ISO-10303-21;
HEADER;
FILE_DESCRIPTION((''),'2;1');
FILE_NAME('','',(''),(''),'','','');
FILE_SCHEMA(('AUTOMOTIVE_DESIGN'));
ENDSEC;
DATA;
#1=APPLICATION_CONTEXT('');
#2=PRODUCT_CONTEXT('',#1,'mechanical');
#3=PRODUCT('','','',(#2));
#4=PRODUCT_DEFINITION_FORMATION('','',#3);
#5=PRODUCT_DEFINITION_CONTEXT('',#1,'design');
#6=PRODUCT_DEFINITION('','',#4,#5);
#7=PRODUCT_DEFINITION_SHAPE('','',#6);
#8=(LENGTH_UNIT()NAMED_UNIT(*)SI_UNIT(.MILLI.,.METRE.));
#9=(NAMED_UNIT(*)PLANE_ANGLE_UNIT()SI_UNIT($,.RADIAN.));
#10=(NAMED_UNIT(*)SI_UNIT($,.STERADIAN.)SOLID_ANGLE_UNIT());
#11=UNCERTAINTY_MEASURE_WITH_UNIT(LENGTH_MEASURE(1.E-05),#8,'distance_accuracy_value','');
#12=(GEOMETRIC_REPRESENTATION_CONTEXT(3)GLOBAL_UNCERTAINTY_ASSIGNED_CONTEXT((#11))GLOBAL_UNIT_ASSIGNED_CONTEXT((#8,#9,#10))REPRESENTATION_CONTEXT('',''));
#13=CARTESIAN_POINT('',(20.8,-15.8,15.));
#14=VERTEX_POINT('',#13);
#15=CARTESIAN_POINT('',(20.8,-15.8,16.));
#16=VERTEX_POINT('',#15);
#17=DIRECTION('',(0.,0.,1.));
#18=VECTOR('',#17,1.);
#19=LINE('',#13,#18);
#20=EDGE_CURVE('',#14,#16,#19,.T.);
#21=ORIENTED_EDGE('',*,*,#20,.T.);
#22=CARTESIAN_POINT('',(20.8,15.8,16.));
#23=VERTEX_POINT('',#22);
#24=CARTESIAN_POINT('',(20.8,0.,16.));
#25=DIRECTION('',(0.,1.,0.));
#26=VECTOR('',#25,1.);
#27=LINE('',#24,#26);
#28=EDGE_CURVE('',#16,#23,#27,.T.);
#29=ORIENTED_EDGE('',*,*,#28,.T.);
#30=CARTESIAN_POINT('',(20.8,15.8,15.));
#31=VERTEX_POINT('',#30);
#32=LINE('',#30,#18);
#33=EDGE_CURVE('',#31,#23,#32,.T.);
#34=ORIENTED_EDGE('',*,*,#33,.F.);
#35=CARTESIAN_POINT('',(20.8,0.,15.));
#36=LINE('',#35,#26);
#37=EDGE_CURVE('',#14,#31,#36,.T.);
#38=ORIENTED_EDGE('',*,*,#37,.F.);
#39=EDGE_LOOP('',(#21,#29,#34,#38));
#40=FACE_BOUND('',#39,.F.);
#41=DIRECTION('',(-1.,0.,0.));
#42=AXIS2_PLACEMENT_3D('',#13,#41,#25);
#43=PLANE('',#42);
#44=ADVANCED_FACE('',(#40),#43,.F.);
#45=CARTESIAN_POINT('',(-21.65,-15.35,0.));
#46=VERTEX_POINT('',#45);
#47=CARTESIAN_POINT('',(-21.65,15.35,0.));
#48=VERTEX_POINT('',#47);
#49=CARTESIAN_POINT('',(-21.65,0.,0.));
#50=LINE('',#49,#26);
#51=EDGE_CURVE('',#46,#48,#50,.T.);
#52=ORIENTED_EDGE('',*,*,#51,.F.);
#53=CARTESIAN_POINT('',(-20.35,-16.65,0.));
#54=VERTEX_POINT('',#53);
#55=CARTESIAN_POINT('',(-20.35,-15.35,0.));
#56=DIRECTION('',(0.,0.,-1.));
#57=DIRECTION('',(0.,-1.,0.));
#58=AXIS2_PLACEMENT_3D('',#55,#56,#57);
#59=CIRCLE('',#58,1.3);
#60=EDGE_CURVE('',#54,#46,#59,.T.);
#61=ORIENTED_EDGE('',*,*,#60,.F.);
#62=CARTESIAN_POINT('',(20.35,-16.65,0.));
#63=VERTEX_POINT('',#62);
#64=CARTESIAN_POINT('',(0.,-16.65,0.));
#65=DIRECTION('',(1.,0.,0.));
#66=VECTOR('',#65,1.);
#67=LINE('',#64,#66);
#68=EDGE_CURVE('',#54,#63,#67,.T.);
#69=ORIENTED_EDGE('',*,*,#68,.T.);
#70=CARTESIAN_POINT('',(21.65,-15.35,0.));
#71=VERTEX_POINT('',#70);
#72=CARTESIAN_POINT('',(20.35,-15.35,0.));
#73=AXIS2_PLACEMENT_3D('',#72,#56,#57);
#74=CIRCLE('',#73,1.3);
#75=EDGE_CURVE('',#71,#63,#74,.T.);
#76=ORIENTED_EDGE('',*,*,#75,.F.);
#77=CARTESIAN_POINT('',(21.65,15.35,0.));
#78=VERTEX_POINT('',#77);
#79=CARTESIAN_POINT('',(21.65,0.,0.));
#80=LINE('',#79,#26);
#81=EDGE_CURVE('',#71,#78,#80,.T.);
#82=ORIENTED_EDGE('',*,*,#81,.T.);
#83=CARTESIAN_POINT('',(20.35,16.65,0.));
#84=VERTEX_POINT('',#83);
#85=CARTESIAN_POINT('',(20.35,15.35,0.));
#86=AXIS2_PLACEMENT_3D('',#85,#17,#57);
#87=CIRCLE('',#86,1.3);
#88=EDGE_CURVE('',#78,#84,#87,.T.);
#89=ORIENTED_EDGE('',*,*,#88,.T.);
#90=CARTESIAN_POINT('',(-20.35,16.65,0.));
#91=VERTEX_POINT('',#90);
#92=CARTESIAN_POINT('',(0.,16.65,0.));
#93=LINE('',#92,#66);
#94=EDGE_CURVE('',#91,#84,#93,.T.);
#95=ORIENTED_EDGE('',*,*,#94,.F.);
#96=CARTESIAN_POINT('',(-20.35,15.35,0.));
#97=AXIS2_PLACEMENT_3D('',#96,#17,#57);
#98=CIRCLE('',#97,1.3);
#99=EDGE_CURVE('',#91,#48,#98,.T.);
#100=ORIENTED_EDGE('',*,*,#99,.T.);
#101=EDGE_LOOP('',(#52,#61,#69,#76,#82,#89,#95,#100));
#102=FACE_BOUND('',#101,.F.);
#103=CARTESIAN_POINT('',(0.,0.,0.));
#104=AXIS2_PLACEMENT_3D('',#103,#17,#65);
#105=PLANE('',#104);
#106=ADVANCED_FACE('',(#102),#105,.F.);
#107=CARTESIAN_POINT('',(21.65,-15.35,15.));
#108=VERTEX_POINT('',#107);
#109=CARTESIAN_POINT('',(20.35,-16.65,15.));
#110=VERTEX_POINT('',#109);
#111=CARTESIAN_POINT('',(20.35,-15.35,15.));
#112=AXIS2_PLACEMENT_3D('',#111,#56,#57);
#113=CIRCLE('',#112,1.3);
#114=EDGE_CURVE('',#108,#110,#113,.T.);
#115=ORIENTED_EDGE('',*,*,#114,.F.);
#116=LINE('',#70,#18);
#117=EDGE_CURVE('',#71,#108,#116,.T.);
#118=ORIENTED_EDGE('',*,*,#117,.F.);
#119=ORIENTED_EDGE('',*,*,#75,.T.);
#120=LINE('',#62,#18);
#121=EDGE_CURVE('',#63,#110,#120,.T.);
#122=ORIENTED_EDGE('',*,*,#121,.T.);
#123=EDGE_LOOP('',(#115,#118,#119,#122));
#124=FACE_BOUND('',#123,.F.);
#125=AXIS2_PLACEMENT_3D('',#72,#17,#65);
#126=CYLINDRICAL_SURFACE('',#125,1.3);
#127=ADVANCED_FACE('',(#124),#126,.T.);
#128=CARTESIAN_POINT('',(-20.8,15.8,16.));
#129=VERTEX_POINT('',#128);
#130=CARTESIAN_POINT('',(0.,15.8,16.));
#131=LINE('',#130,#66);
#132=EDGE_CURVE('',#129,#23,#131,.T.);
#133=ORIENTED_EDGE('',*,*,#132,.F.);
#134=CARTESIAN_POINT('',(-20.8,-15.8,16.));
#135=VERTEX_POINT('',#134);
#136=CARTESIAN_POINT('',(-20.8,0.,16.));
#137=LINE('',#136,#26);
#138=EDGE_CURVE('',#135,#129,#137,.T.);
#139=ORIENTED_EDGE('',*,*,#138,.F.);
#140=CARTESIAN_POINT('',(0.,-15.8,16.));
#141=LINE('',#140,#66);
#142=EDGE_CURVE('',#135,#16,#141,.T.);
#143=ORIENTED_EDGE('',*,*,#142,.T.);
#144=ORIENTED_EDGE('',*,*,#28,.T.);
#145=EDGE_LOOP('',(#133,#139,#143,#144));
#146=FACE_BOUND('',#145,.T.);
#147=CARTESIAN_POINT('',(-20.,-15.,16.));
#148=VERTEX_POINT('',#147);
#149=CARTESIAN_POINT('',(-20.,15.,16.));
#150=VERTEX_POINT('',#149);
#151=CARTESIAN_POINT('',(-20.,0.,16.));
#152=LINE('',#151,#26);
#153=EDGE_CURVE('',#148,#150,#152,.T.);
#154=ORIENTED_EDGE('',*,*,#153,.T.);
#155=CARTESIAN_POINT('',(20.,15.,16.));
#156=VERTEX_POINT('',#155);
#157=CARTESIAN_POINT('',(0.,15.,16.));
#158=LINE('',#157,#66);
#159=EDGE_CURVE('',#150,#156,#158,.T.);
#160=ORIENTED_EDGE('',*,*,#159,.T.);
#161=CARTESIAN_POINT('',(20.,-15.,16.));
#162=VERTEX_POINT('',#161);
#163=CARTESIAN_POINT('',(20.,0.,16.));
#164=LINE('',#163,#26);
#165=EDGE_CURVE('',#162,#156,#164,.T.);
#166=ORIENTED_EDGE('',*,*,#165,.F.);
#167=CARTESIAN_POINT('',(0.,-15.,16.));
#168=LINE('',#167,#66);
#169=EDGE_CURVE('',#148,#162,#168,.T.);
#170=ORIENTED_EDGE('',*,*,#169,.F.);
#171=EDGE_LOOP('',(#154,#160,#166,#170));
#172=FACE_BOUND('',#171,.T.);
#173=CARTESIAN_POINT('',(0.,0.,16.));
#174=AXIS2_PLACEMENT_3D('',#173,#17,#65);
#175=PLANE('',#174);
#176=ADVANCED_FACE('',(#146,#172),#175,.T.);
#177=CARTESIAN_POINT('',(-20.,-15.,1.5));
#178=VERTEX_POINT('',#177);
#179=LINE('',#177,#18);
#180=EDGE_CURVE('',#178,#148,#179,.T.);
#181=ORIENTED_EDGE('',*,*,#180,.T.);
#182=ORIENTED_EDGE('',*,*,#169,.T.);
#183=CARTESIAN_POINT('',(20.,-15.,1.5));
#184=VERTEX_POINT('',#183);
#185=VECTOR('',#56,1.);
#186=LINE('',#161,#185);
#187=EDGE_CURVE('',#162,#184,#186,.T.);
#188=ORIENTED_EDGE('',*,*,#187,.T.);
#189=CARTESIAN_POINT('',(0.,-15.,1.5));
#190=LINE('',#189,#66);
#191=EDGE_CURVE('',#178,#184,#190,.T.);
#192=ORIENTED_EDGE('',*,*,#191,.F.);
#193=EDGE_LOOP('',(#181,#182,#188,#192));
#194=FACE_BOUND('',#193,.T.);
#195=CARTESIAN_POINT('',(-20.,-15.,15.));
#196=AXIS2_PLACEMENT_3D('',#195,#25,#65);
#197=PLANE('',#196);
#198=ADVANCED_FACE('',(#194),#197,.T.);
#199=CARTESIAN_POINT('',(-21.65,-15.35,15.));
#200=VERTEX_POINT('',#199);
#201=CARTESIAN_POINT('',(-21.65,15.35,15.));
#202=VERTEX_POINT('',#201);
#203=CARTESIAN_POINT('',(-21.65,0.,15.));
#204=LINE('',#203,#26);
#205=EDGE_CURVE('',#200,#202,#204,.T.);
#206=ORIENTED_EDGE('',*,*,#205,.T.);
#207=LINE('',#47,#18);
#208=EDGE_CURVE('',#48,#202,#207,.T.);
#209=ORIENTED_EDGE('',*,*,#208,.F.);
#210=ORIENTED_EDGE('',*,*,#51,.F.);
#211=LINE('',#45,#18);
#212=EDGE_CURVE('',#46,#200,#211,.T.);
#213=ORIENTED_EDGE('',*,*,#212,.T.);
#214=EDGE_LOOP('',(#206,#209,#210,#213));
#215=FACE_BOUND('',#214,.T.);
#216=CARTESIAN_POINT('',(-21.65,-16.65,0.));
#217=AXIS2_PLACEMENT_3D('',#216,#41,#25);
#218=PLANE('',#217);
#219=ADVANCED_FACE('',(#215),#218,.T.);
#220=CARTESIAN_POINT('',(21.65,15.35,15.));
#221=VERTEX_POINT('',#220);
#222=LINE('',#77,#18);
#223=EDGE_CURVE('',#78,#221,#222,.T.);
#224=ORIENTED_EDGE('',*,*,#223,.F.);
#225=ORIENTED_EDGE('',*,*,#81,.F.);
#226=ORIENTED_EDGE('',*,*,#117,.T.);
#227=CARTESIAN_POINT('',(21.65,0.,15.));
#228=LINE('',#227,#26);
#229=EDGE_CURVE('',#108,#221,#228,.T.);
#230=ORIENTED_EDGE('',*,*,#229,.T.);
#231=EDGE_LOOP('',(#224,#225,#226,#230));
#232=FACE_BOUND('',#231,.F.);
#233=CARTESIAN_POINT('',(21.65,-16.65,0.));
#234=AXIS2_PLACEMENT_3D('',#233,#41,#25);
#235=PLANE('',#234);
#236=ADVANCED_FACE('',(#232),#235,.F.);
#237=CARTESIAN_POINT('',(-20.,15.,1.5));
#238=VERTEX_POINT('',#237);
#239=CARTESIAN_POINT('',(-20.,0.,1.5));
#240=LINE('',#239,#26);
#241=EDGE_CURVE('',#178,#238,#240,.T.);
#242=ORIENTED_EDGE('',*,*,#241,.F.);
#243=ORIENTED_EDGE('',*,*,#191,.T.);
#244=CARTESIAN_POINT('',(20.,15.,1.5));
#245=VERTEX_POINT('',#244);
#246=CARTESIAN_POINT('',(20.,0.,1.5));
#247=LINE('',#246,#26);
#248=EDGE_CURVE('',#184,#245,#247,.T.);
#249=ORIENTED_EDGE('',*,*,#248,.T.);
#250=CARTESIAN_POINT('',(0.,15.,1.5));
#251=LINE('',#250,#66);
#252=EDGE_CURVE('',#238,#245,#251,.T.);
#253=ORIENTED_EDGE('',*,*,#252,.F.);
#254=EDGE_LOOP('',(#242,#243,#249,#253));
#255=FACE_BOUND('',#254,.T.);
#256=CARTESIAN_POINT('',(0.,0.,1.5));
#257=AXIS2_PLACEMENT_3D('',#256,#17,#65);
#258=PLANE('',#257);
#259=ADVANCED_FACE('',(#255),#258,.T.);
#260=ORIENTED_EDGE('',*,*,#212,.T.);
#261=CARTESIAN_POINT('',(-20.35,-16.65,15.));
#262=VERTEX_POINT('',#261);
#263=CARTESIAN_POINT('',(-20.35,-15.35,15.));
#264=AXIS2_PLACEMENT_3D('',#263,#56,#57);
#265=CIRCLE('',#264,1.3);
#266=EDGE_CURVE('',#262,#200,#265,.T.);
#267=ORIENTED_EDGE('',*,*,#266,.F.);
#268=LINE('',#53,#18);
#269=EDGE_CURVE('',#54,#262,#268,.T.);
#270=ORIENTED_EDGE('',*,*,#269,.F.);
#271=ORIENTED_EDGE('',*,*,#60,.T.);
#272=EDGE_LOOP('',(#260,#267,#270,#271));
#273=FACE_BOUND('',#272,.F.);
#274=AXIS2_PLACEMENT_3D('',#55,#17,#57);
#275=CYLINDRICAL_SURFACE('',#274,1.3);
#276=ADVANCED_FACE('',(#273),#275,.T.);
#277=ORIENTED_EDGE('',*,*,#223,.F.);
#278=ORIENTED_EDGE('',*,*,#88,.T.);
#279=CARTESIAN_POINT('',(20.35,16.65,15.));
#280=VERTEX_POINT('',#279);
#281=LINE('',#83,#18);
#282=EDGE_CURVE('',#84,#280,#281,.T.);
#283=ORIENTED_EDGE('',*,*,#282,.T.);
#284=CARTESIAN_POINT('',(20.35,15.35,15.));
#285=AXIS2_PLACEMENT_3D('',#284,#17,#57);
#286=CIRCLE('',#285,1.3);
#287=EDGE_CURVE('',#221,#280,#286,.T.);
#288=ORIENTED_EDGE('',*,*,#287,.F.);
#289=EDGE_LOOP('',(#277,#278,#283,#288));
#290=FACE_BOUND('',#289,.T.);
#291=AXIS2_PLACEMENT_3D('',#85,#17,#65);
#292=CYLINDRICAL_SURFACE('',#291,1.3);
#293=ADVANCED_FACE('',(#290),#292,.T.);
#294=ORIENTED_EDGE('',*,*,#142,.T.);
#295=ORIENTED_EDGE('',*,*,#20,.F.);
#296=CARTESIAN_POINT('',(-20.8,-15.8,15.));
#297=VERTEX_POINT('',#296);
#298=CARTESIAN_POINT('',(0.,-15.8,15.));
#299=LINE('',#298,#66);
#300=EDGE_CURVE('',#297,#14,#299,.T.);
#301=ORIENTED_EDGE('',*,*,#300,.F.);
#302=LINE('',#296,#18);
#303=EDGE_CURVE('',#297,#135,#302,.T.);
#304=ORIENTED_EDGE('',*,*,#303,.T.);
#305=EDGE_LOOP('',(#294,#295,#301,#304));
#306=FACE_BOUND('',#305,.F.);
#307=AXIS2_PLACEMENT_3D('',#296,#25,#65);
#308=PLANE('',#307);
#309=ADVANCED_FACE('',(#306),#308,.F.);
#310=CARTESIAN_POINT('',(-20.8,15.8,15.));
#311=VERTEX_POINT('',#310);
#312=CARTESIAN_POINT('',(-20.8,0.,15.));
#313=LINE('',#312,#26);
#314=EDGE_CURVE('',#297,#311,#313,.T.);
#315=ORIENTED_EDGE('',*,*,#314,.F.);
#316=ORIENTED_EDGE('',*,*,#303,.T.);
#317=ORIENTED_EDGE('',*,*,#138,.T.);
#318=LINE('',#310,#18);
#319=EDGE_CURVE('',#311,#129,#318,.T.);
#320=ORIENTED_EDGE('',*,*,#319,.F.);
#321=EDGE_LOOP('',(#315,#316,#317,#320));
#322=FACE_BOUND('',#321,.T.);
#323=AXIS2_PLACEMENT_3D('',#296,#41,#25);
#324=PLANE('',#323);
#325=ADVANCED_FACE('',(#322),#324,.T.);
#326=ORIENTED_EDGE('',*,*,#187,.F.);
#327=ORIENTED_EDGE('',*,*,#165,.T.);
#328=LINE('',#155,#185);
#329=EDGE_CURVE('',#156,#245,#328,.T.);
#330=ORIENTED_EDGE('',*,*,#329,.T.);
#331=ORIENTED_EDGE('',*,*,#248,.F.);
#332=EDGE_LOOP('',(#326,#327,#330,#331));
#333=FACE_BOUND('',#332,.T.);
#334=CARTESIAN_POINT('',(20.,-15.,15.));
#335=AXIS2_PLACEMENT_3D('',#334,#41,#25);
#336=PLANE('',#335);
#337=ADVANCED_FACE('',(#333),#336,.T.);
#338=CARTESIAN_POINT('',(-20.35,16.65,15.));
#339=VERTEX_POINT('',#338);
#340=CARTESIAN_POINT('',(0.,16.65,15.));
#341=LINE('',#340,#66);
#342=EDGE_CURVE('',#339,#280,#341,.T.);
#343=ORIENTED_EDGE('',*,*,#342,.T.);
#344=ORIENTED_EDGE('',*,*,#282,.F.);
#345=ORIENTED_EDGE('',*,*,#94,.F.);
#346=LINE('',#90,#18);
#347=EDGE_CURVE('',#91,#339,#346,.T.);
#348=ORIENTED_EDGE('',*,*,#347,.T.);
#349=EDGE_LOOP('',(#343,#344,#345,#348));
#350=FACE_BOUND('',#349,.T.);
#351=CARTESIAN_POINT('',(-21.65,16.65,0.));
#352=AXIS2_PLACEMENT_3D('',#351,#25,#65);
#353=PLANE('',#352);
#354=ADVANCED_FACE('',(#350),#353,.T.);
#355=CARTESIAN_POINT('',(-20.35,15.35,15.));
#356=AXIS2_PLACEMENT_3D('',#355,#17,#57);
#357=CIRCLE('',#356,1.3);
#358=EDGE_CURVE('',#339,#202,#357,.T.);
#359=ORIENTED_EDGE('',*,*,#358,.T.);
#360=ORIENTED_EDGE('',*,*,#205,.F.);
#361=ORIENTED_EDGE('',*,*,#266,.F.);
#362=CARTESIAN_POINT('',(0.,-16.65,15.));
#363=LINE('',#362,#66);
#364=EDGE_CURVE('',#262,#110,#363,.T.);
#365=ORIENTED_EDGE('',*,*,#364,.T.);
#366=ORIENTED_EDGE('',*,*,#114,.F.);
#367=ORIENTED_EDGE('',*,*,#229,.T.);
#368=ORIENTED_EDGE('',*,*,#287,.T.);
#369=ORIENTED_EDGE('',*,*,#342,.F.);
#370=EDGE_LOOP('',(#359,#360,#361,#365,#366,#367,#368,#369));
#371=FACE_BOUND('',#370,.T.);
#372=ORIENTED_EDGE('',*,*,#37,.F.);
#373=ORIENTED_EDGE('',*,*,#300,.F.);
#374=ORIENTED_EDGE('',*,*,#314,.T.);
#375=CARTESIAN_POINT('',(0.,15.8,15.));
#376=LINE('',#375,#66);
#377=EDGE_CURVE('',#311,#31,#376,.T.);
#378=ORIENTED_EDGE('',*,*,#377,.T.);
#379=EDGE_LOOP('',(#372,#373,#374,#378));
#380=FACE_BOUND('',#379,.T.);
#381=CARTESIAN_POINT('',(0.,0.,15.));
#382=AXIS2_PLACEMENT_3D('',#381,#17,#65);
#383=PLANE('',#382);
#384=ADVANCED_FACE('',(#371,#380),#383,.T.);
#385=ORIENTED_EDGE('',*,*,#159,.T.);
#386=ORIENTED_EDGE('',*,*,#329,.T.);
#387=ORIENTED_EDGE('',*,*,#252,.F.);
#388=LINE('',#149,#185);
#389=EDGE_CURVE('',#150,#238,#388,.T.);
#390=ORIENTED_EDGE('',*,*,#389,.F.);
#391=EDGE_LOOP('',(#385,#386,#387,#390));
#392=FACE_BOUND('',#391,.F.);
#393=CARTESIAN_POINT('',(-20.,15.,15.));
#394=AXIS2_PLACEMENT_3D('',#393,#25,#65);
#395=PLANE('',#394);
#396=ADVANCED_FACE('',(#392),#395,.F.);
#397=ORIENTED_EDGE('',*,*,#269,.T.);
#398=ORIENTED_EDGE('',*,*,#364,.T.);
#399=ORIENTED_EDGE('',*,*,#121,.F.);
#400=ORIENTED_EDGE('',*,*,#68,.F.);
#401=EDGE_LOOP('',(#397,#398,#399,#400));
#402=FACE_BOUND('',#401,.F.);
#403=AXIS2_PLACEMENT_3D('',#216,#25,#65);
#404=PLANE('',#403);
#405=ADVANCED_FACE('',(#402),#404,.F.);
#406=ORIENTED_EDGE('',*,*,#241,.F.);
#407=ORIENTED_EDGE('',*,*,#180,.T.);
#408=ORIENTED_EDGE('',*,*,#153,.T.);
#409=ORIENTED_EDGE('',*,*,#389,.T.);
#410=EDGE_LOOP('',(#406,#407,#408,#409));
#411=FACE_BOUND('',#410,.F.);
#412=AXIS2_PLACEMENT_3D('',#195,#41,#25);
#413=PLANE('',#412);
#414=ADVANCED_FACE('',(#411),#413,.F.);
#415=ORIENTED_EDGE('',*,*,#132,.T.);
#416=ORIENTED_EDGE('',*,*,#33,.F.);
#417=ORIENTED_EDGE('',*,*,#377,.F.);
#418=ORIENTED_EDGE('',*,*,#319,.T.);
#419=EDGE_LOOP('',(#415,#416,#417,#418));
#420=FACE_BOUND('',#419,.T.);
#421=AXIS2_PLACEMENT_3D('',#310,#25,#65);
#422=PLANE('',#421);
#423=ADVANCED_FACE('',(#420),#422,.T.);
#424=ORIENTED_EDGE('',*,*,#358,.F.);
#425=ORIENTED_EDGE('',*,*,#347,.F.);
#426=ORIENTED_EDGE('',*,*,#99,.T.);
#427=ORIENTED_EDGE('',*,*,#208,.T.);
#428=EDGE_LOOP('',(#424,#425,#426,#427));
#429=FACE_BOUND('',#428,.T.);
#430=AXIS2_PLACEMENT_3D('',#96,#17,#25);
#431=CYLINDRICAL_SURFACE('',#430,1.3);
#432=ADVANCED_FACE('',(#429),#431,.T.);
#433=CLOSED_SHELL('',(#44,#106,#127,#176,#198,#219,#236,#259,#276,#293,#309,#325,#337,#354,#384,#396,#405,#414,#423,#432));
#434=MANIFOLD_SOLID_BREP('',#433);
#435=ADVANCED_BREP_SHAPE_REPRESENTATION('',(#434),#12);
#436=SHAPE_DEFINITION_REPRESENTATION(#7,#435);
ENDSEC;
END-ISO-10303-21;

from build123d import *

# Parameters (mm, degrees)
F0_W     = 43.3
F0_H     = 33.3
F0_W_2   = 40
F0_H_2   = 30
F1_DEPTH = 15
F2_DEPTH = 1.5
F3_W     = 41.6
F3_H     = 31.6
F3_W_2   = 40
F3_H_2   = 30
F4_DEPTH = 1
F5_R     = 1.3


with BuildPart() as f1:
    # F0 (on Top) → F1 (new body)
    with BuildSketch(Plane.XY):
        Rectangle(F0_W, F0_H)
        Rectangle(F0_W_2, F0_H_2, mode=Mode.SUBTRACT)
    extrude(amount=F1_DEPTH)

    # F0 (on Top) → F2 (join)
    with BuildSketch(Plane.XY):
        Rectangle(F0_W_2, F0_H_2)
    extrude(amount=F2_DEPTH)

    # F3 (on face) → F4 (join)
    with BuildSketch(Plane.XY.offset(15)):
        Rectangle(F3_W, F3_H)
        Rectangle(F3_W_2, F3_H_2, mode=Mode.SUBTRACT)
    extrude(amount=F4_DEPTH)

    # F5
    f5_edges = [f1.edges().sort_by_distance(p)[0] for p in [
        (-21.65, -16.65, 7.5),
        (21.65, -16.65, 7.5),
        (21.65, 16.65, 7.5),
        (-21.65, 16.65, 7.5),
    ]]
    fillet(f5_edges, radius=F5_R)


solid = f1.part
